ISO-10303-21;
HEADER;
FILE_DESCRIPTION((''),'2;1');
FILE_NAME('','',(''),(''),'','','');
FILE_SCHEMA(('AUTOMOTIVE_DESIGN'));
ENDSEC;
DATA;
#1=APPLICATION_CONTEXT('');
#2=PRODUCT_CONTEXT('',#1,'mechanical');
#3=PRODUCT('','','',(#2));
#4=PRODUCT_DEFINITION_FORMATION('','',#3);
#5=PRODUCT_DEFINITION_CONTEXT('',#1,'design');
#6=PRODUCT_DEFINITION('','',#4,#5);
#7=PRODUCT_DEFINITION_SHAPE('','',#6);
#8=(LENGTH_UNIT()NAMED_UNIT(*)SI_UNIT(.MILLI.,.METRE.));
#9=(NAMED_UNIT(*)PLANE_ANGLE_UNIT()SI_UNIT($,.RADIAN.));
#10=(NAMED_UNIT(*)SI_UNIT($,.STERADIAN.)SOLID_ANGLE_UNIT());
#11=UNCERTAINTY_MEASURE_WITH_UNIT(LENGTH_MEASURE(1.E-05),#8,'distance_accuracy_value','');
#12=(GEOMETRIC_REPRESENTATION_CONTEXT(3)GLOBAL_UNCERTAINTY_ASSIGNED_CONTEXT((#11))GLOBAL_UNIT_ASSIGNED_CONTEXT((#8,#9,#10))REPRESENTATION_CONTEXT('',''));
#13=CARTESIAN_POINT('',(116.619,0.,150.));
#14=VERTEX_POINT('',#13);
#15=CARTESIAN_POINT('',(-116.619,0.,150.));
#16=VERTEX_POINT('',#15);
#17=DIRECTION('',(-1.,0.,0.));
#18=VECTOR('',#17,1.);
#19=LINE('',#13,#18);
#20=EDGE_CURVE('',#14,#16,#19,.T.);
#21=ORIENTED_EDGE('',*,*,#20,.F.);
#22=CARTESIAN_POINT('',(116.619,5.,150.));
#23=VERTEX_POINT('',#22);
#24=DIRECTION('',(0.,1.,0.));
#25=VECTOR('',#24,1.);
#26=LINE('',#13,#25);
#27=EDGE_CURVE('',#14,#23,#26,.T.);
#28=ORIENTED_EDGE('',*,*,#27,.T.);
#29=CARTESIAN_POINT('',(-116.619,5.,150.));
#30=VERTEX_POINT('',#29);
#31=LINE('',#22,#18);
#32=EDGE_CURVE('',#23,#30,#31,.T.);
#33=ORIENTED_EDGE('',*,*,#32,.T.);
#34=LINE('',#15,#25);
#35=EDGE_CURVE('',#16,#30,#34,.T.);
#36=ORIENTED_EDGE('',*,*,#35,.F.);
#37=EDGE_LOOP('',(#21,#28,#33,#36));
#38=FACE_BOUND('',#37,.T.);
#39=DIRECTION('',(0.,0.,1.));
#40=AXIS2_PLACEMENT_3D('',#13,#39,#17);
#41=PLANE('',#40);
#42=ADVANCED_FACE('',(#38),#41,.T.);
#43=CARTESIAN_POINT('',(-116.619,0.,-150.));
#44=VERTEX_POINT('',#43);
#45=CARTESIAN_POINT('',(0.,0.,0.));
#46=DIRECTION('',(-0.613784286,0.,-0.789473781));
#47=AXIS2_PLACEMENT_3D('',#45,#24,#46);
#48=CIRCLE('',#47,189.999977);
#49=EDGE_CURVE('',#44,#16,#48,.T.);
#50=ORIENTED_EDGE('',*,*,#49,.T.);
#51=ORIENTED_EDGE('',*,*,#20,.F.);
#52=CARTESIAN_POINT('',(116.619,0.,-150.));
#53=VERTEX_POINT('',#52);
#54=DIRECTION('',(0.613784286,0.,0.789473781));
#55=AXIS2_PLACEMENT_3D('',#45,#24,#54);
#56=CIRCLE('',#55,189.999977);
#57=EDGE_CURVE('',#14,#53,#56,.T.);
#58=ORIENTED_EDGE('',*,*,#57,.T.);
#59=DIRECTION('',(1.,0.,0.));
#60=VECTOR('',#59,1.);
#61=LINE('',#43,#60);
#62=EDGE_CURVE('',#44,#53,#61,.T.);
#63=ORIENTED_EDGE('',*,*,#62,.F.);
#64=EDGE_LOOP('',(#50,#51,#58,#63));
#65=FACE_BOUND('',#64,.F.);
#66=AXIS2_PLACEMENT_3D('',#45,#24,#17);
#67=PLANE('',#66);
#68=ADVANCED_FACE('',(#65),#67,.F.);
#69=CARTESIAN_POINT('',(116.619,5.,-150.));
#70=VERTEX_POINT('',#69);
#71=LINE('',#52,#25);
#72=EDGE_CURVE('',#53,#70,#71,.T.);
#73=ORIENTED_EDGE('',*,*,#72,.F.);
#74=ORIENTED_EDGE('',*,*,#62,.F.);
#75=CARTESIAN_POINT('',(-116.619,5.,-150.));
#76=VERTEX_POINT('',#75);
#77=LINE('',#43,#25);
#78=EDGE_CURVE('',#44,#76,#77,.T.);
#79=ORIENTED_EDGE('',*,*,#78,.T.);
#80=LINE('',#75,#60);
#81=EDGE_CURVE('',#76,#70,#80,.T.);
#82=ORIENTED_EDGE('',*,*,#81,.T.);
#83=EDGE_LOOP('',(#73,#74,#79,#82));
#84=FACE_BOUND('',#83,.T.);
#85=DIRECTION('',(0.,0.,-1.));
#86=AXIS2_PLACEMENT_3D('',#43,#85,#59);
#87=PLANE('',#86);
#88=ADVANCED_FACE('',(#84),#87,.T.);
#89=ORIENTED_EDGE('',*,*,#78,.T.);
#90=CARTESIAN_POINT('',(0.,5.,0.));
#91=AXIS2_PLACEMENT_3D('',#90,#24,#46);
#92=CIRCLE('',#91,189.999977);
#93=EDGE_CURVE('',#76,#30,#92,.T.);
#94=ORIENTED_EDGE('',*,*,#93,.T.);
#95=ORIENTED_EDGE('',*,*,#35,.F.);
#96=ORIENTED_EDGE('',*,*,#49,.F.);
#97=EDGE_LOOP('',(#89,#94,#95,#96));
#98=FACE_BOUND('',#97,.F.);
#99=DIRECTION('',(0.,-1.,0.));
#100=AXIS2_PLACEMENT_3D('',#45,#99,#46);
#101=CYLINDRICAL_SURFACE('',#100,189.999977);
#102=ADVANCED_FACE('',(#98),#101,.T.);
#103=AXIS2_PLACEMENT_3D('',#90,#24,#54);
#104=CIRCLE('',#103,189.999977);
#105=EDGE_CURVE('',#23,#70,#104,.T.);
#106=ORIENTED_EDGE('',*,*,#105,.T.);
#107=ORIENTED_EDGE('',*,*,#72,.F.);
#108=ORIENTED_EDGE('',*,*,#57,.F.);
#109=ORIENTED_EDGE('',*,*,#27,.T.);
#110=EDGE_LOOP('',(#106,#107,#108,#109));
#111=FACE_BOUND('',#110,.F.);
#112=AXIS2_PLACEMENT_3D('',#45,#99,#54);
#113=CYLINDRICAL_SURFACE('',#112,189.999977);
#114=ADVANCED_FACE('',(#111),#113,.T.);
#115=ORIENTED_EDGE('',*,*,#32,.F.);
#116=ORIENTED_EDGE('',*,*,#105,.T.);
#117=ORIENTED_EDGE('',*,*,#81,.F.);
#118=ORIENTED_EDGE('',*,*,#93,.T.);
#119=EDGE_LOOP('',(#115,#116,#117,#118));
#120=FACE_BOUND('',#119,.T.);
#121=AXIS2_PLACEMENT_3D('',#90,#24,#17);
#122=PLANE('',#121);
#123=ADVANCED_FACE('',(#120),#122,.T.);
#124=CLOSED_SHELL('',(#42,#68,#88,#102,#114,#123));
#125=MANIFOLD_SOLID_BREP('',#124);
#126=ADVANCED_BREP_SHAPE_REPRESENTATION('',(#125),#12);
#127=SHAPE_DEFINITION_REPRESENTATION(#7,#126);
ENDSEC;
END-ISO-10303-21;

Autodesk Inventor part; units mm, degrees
ref_plane "YZ Plane" through (0, 0, 0) normal (1, 0, 0) x (0, 1, 0)
ref_plane "XZ Plane" through (0, 0, 0) normal (0, 1, 0) x (-1, 0, 0)
ref_plane "XY Plane" through (0, 0, 0) normal (0, 0, 1) x (1, 0, 0)
sketch "Sketch1" plane through (0, 0, 0) normal (0, 1, 0) x (-1, 0, 0)
  line L0 (-116.619, 150) -> (116.619, 150)
  line L1 (116.619, -150) -> (-116.619, -150)
  arc A0 (-116.619, 150) -> (-116.619, -150) centre (0, 0) ccw
  arc A1 (116.619, -150) -> (116.619, 150) centre (0, 0) ccw
  dimension "d1" = 300
  dimension "d2" = 190
  dimension "d3" = 190
extrude "Extrusion1" add sketch "Sketch1" along normal blind 5
equation "\"d1\" = Chassis_Body_Length"
equation "\"d2\" = 0.5 * Chassis_Body_Diameter"
equation "\"d3\" = 0.5 * Chassis_Body_Diameter"
equation "\"Chassis_Body_Length\" = 300"
equation "\"Chassis_Body_Diameter\" = 380"
properties part number "RoofRound" material "Wood (Oak)"
